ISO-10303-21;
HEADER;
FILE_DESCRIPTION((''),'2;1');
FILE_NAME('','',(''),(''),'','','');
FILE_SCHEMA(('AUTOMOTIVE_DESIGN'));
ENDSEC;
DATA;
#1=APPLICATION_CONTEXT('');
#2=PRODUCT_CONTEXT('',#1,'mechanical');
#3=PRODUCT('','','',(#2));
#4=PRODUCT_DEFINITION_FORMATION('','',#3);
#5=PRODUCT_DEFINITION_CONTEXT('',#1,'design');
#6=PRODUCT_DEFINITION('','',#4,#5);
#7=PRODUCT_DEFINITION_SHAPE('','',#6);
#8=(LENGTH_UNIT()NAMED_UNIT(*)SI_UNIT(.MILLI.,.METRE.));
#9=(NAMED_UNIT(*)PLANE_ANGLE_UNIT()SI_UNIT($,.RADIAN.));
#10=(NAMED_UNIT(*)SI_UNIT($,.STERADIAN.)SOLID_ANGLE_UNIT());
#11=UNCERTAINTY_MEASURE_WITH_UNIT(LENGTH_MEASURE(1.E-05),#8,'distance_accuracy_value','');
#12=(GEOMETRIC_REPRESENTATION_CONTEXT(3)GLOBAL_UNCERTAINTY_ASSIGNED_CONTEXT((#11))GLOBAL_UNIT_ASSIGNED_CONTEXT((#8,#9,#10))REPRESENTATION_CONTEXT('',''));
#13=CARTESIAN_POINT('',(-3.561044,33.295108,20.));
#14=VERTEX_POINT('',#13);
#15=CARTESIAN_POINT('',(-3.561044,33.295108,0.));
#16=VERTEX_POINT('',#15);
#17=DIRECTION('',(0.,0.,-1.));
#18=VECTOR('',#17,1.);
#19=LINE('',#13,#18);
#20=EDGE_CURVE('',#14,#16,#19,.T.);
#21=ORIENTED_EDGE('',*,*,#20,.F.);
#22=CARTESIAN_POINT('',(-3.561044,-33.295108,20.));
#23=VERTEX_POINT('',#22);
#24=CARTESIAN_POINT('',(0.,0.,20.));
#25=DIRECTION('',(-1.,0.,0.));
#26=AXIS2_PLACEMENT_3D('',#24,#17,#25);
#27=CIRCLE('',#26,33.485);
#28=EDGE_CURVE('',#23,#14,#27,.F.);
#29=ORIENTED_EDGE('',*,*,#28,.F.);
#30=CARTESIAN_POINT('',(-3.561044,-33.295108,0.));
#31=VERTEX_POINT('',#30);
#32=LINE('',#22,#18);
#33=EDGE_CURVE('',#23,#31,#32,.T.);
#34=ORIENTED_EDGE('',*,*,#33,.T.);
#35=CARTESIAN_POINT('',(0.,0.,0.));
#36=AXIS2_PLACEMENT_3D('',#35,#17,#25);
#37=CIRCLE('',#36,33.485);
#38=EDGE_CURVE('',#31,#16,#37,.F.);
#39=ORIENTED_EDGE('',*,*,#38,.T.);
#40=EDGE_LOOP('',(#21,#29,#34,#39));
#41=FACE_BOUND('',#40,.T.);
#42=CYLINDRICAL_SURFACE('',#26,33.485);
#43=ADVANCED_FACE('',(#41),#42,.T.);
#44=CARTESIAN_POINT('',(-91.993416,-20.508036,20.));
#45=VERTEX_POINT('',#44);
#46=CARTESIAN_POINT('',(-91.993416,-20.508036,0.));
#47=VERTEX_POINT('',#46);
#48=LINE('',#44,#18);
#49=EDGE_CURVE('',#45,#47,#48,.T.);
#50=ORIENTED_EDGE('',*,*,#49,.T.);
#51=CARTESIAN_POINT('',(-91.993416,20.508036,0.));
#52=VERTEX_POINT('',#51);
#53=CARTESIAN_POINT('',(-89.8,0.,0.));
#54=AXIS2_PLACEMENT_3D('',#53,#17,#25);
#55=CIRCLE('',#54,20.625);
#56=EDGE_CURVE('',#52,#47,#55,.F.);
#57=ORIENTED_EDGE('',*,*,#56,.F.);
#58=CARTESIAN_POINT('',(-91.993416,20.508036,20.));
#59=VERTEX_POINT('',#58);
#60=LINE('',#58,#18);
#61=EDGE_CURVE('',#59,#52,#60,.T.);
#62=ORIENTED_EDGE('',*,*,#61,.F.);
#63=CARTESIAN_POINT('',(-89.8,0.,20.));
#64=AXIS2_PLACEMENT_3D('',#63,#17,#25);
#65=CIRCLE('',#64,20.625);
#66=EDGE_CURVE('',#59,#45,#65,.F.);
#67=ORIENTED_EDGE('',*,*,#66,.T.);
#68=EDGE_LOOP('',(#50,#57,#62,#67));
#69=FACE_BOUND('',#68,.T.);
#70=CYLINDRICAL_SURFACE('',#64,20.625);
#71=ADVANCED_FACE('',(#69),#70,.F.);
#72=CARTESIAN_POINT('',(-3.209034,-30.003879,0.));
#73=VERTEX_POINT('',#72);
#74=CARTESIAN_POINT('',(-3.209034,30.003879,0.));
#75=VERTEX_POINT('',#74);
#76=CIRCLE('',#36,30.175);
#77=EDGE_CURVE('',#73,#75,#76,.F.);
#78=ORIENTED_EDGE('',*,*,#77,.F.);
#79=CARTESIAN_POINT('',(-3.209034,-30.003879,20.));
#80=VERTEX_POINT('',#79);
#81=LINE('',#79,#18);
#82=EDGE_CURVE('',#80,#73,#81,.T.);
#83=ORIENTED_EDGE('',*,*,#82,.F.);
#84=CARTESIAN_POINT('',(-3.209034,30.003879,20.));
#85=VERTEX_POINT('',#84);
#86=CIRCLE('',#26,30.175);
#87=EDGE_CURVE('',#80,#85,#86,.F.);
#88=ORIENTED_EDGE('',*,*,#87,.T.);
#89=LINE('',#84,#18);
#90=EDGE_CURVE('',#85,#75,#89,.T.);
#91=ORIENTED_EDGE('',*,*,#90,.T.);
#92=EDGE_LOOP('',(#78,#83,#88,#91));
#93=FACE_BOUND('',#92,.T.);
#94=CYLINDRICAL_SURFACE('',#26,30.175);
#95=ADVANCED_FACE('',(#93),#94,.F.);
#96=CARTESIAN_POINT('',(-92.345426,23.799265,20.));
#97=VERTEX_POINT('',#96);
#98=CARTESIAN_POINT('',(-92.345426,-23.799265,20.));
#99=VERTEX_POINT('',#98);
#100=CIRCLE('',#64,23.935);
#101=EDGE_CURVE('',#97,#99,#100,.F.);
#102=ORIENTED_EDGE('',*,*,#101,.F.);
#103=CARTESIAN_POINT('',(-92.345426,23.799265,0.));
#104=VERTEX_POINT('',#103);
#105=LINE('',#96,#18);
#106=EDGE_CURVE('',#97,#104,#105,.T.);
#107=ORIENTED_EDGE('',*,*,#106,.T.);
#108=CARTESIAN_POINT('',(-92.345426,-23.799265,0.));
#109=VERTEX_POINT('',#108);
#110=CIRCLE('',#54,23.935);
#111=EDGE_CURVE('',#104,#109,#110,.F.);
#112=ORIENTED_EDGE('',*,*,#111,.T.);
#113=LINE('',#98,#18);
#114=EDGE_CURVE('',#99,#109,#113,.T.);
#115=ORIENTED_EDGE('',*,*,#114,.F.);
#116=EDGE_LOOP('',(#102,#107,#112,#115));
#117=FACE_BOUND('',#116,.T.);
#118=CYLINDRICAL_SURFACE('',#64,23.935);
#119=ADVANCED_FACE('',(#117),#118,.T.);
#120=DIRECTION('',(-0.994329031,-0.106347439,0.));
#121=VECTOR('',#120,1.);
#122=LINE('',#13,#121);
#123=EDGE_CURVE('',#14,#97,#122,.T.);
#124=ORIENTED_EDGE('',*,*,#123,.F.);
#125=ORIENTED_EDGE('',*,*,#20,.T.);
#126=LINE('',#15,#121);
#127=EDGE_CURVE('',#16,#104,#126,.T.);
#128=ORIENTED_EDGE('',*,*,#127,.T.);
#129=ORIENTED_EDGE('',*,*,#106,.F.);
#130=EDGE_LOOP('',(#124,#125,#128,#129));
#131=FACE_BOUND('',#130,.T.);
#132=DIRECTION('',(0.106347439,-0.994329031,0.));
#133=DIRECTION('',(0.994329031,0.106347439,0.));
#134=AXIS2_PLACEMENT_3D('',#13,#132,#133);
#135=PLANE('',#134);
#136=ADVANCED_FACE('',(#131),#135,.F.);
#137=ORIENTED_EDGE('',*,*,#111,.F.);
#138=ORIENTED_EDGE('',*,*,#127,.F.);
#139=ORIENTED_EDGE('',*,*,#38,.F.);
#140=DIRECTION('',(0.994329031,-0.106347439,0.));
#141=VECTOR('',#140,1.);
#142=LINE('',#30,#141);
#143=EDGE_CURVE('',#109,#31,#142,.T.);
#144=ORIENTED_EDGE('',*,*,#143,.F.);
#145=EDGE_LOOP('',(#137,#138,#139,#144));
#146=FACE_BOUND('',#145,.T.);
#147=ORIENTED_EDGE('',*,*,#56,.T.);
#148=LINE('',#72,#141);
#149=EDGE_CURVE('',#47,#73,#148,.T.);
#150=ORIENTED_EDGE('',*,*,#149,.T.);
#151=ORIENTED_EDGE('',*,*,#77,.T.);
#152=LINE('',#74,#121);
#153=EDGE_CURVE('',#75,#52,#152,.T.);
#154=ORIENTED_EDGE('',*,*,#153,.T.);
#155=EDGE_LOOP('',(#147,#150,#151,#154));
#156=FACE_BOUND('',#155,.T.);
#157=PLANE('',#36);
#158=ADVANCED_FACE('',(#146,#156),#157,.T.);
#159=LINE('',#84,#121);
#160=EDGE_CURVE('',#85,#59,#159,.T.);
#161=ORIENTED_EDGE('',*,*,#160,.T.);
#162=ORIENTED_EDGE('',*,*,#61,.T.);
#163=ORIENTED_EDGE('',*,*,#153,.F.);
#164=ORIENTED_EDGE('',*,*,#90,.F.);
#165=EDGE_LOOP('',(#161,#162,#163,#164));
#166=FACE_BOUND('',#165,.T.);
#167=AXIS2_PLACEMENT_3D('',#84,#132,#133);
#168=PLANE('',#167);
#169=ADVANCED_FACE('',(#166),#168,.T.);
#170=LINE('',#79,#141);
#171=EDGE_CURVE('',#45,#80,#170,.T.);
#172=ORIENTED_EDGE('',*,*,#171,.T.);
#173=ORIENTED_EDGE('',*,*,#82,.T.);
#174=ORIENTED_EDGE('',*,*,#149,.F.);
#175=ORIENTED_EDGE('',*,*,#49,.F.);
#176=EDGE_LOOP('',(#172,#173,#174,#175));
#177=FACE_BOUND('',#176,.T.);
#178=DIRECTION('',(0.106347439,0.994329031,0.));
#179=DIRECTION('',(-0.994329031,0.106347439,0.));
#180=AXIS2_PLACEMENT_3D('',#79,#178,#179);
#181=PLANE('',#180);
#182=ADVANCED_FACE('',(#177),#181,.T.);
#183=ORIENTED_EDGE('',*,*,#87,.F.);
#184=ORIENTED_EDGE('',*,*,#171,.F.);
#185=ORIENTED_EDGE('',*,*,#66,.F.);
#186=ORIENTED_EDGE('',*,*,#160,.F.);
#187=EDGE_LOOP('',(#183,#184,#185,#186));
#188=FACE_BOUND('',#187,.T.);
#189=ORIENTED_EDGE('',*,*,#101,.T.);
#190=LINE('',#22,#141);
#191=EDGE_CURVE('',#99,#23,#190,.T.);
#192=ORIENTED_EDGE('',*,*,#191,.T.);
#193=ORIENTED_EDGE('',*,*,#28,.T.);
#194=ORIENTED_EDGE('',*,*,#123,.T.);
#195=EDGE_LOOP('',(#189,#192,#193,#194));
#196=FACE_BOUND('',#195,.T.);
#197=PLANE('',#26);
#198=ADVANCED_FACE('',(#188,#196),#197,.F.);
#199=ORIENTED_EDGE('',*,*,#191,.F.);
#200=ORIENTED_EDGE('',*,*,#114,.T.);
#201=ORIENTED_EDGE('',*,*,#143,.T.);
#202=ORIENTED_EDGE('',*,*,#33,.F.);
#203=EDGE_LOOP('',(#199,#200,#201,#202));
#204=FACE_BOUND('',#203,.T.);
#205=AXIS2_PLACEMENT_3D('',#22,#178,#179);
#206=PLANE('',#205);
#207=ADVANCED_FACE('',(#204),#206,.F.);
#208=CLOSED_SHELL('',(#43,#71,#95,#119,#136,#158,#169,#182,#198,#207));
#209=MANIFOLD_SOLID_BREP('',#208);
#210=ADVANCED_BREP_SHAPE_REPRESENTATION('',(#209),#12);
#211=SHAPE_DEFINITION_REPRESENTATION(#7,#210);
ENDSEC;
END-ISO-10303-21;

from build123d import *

# Parameters (mm, degrees)
EXTRUDE_1_DEPTH = 20


with BuildPart() as part:
    # ｽｹｯﾁ1 → 押し出し-薄板1 (new body)
    with BuildSketch(Plane.XY):
        with BuildLine():
            Line((-92.345425947, 23.799265362), (-3.561043987, 33.295107609))
            ThreePointArc((-3.561043987, 33.295107609), (33.485, 0), (-3.561043987, -33.295107609))
            Line((-3.561043987, -33.295107609), (-92.345425947, -23.799265362))
            ThreePointArc((-92.345425947, -23.799265362), (-113.735, 0), (-92.345425947, 23.799265362))
        make_face()
        with BuildLine():
            Line((-91.993415924, 20.508036268), (-3.209033964, 30.003878516))
            ThreePointArc((-3.209033964, 30.003878516), (30.175, 0), (-3.209033964, -30.003878516))
            Line((-3.209033964, -30.003878516), (-91.993415924, -20.508036268))
            ThreePointArc((-91.993415924, -20.508036268), (-110.425, 0), (-91.993415924, 20.508036268))
        make_face(mode=Mode.SUBTRACT)
    extrude(amount=EXTRUDE_1_DEPTH)


solid = part.part
